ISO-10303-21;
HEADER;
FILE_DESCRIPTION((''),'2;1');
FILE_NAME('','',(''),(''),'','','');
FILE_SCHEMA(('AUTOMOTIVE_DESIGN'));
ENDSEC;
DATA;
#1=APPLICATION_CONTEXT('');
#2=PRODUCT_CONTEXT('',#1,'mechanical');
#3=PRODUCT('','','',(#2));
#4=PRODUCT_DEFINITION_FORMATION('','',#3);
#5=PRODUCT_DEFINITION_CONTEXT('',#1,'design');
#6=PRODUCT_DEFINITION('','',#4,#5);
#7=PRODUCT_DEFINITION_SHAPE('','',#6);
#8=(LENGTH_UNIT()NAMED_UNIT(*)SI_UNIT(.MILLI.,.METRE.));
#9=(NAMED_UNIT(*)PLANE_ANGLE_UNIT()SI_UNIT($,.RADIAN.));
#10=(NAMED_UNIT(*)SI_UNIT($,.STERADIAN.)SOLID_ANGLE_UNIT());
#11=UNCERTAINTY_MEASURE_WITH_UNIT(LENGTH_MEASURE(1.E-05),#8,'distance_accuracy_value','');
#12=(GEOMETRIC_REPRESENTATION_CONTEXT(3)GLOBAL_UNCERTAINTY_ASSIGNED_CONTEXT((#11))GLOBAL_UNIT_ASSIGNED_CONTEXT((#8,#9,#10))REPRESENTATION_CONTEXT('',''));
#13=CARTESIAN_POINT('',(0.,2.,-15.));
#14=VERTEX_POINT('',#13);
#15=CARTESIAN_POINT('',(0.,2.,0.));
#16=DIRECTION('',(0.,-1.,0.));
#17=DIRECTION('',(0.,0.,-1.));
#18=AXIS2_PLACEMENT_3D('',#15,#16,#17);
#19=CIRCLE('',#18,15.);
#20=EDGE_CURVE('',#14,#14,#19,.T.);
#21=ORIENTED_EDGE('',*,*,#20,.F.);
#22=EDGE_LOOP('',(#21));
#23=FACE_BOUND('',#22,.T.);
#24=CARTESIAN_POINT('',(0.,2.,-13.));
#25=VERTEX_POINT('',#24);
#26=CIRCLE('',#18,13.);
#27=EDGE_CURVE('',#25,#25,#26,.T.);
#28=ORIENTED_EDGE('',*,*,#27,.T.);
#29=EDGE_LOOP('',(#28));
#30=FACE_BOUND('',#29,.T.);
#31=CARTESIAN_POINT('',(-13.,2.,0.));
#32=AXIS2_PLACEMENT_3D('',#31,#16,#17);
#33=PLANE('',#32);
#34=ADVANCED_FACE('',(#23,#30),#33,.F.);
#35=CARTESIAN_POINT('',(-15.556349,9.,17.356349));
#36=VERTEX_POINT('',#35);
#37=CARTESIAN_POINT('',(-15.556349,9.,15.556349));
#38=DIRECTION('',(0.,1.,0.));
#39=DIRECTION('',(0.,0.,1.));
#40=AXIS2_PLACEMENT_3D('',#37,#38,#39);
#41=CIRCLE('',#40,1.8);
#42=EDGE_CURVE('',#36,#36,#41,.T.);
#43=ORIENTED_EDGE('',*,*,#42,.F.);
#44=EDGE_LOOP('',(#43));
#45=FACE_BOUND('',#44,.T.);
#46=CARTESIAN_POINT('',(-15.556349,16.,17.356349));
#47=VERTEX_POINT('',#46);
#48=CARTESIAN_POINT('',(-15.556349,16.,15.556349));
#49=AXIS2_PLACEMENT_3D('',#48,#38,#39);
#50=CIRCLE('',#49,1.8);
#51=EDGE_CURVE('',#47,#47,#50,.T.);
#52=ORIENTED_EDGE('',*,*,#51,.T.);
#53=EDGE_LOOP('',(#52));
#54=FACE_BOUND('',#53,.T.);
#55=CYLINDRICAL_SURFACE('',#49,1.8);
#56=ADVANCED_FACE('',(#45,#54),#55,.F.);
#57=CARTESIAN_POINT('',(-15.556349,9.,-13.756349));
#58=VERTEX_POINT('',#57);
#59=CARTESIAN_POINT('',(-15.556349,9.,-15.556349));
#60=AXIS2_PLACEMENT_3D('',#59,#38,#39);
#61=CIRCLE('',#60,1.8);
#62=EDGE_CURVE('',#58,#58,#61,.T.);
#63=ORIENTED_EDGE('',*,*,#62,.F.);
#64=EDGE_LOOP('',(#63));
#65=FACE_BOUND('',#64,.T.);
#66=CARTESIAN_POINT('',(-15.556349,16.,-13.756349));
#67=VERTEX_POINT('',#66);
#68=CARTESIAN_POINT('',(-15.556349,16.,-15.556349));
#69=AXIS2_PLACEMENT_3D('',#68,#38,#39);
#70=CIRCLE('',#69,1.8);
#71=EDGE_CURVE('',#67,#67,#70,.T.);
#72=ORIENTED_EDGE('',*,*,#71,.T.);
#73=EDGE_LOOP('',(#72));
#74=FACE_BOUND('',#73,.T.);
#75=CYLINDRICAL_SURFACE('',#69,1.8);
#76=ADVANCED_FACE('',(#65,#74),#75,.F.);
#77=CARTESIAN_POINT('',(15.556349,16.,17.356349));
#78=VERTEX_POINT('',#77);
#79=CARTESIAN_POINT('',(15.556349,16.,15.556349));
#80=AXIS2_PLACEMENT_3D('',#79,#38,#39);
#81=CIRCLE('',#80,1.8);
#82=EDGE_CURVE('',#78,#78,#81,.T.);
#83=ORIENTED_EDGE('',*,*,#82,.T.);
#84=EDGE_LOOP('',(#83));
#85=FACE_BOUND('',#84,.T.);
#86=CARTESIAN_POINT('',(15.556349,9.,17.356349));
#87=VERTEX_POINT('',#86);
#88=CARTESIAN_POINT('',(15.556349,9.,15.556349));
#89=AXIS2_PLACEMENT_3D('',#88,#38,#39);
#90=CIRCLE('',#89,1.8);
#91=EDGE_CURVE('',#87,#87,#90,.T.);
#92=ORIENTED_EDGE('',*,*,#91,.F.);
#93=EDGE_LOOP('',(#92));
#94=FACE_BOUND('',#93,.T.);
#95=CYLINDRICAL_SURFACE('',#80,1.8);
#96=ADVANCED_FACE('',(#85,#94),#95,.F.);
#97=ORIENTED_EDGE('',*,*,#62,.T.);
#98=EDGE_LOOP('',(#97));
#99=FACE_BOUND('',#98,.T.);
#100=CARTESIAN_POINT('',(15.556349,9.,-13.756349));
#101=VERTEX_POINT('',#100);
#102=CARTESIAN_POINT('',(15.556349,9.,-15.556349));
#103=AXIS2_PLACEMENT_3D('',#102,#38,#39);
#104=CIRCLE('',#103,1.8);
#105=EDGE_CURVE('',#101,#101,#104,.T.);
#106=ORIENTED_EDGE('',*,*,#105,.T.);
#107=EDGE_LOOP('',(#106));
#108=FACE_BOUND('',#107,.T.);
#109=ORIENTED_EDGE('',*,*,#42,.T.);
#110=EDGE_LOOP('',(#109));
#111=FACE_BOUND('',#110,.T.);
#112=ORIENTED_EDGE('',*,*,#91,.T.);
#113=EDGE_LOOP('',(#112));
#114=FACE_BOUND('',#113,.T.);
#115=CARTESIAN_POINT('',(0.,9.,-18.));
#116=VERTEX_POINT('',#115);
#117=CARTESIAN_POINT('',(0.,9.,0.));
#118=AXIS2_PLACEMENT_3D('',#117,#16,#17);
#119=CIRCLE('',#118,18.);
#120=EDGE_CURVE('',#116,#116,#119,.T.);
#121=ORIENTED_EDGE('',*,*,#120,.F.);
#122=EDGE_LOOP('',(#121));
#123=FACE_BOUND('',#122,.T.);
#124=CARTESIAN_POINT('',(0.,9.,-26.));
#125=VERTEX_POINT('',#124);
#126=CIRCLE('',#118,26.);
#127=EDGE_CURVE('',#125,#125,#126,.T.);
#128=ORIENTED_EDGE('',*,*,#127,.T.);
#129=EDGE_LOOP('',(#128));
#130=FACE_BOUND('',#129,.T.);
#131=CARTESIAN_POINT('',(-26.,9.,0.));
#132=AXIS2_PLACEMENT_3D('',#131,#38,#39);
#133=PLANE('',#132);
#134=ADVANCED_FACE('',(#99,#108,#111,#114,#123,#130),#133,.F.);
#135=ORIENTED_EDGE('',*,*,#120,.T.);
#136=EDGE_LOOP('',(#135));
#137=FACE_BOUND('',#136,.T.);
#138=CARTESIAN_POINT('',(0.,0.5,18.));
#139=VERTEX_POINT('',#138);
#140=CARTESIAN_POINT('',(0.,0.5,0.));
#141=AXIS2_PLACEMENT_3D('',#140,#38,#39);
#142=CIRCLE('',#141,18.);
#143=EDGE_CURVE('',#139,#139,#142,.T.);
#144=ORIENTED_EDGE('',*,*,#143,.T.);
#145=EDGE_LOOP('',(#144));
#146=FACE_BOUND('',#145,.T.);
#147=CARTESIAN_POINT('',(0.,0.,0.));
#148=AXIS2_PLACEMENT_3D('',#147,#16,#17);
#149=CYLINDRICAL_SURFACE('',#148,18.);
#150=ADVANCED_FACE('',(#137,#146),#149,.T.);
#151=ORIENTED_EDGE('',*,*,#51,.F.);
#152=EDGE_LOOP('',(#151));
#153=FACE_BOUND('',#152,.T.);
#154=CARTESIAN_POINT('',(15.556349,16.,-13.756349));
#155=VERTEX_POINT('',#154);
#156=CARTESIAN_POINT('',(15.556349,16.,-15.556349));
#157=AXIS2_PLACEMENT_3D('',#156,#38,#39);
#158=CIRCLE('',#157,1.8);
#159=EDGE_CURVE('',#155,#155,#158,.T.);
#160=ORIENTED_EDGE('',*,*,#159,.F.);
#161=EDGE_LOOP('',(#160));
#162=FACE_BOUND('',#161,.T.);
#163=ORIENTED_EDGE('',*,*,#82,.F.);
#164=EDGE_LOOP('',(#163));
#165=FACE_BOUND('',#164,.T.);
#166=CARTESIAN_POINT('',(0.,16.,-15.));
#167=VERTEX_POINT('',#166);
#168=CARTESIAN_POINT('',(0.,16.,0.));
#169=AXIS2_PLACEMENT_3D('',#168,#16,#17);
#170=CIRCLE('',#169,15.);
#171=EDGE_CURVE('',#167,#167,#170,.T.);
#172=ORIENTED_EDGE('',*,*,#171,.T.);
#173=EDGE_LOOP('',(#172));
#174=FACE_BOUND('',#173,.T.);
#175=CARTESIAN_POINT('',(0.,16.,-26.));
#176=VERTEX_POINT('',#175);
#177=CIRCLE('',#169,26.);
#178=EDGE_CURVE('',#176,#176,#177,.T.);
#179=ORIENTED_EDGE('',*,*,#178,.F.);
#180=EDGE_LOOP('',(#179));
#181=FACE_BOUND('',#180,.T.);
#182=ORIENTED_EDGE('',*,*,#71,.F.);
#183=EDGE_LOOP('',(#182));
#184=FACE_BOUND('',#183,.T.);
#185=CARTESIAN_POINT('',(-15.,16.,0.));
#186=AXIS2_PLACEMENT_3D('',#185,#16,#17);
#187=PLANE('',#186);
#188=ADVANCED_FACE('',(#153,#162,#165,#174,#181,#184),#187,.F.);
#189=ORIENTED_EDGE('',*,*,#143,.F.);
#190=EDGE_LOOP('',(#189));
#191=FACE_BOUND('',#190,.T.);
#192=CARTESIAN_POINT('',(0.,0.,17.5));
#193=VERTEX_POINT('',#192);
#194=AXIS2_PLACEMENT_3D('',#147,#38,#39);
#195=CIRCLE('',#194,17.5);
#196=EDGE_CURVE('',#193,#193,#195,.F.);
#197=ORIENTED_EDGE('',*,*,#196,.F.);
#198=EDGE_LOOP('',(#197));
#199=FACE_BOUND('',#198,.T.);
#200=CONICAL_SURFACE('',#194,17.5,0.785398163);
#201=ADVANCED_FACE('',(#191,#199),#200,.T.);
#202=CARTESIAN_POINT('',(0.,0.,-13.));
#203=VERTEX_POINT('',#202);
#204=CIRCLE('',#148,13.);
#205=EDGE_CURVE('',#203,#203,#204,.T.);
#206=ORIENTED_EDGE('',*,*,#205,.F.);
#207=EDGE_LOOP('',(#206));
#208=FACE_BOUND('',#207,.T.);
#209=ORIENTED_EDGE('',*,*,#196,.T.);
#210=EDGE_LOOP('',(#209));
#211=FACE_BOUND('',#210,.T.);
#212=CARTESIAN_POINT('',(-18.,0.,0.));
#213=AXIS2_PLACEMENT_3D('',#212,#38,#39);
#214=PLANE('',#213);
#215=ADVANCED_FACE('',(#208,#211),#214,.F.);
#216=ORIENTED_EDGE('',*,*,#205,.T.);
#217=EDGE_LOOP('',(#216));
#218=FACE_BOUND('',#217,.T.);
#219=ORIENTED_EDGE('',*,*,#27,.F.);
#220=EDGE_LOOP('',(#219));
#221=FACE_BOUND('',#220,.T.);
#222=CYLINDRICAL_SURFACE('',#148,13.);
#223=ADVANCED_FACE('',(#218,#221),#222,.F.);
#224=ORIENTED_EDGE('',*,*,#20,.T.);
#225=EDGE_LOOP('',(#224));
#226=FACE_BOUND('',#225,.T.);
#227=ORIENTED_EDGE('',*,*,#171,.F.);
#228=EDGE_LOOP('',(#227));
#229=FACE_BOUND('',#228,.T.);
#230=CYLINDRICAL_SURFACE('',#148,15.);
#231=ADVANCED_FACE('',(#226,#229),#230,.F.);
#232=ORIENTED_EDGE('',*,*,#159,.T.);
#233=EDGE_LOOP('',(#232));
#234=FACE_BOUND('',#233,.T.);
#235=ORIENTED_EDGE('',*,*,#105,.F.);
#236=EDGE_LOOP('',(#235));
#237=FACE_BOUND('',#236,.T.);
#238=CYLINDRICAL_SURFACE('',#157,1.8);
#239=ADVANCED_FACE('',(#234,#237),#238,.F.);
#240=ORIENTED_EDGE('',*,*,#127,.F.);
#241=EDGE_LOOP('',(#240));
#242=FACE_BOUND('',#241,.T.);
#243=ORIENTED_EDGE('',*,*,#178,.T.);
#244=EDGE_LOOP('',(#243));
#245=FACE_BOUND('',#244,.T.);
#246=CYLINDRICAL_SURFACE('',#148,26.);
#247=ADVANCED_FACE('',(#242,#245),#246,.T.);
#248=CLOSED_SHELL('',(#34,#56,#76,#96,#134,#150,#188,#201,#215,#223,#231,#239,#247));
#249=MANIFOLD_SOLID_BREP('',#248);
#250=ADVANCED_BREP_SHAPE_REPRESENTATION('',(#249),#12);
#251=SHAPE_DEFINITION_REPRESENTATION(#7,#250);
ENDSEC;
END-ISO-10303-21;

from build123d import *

# Parameters (mm, degrees)
CHAMFER_1_SIZE           = 0.5
HOLE_WIZARD_M31_D        = 3.6
PATTERN_CIRCULAR_1_COUNT = 4


with BuildPart() as part:
    # Эскиз1 → Повернуть1 (revolve)
    with BuildSketch(Plane.XY, mode=Mode.PRIVATE) as revolve_1_sk:
        Polygon((-15, 2), (-15, 16), (-26, 16), (-26, 9), (-18, 9), (-18, 0), (-13, 0), (-13, 2), align=None)
    revolve(revolve_1_sk.sketch.rotate(Axis((0, 0, 0), (0, 1, 0)), 270), axis=Axis((0, 0, 0), (0, 1, 0)))

    # Фаска1
    chamfer_1_edges = [part.edges().sort_by_distance(p)[0] for p in [
        (0, 0, 18),
    ]]
    chamfer(chamfer_1_edges, length=CHAMFER_1_SIZE)

    # Отверстие с зазором M31 (through all)
    with Locations(Plane(origin=(0, 16, 0), x_dir=(1, 0, 0), z_dir=(0, 1, 0))):
        with Locations((15.556349186, -15.556349186)):
            hole_wizard_m31 = Hole(HOLE_WIZARD_M31_D / 2)

    # Круговой массив1: Отверстие с зазором M31 ×4 about axis
    pattern_circular_1_axis = Axis((0, 0, 0), (0, 1, 0))
    for i in range(1, PATTERN_CIRCULAR_1_COUNT):
        add(hole_wizard_m31.rotate(pattern_circular_1_axis, i * 360 / PATTERN_CIRCULAR_1_COUNT), mode=Mode.SUBTRACT)


solid = part.part
